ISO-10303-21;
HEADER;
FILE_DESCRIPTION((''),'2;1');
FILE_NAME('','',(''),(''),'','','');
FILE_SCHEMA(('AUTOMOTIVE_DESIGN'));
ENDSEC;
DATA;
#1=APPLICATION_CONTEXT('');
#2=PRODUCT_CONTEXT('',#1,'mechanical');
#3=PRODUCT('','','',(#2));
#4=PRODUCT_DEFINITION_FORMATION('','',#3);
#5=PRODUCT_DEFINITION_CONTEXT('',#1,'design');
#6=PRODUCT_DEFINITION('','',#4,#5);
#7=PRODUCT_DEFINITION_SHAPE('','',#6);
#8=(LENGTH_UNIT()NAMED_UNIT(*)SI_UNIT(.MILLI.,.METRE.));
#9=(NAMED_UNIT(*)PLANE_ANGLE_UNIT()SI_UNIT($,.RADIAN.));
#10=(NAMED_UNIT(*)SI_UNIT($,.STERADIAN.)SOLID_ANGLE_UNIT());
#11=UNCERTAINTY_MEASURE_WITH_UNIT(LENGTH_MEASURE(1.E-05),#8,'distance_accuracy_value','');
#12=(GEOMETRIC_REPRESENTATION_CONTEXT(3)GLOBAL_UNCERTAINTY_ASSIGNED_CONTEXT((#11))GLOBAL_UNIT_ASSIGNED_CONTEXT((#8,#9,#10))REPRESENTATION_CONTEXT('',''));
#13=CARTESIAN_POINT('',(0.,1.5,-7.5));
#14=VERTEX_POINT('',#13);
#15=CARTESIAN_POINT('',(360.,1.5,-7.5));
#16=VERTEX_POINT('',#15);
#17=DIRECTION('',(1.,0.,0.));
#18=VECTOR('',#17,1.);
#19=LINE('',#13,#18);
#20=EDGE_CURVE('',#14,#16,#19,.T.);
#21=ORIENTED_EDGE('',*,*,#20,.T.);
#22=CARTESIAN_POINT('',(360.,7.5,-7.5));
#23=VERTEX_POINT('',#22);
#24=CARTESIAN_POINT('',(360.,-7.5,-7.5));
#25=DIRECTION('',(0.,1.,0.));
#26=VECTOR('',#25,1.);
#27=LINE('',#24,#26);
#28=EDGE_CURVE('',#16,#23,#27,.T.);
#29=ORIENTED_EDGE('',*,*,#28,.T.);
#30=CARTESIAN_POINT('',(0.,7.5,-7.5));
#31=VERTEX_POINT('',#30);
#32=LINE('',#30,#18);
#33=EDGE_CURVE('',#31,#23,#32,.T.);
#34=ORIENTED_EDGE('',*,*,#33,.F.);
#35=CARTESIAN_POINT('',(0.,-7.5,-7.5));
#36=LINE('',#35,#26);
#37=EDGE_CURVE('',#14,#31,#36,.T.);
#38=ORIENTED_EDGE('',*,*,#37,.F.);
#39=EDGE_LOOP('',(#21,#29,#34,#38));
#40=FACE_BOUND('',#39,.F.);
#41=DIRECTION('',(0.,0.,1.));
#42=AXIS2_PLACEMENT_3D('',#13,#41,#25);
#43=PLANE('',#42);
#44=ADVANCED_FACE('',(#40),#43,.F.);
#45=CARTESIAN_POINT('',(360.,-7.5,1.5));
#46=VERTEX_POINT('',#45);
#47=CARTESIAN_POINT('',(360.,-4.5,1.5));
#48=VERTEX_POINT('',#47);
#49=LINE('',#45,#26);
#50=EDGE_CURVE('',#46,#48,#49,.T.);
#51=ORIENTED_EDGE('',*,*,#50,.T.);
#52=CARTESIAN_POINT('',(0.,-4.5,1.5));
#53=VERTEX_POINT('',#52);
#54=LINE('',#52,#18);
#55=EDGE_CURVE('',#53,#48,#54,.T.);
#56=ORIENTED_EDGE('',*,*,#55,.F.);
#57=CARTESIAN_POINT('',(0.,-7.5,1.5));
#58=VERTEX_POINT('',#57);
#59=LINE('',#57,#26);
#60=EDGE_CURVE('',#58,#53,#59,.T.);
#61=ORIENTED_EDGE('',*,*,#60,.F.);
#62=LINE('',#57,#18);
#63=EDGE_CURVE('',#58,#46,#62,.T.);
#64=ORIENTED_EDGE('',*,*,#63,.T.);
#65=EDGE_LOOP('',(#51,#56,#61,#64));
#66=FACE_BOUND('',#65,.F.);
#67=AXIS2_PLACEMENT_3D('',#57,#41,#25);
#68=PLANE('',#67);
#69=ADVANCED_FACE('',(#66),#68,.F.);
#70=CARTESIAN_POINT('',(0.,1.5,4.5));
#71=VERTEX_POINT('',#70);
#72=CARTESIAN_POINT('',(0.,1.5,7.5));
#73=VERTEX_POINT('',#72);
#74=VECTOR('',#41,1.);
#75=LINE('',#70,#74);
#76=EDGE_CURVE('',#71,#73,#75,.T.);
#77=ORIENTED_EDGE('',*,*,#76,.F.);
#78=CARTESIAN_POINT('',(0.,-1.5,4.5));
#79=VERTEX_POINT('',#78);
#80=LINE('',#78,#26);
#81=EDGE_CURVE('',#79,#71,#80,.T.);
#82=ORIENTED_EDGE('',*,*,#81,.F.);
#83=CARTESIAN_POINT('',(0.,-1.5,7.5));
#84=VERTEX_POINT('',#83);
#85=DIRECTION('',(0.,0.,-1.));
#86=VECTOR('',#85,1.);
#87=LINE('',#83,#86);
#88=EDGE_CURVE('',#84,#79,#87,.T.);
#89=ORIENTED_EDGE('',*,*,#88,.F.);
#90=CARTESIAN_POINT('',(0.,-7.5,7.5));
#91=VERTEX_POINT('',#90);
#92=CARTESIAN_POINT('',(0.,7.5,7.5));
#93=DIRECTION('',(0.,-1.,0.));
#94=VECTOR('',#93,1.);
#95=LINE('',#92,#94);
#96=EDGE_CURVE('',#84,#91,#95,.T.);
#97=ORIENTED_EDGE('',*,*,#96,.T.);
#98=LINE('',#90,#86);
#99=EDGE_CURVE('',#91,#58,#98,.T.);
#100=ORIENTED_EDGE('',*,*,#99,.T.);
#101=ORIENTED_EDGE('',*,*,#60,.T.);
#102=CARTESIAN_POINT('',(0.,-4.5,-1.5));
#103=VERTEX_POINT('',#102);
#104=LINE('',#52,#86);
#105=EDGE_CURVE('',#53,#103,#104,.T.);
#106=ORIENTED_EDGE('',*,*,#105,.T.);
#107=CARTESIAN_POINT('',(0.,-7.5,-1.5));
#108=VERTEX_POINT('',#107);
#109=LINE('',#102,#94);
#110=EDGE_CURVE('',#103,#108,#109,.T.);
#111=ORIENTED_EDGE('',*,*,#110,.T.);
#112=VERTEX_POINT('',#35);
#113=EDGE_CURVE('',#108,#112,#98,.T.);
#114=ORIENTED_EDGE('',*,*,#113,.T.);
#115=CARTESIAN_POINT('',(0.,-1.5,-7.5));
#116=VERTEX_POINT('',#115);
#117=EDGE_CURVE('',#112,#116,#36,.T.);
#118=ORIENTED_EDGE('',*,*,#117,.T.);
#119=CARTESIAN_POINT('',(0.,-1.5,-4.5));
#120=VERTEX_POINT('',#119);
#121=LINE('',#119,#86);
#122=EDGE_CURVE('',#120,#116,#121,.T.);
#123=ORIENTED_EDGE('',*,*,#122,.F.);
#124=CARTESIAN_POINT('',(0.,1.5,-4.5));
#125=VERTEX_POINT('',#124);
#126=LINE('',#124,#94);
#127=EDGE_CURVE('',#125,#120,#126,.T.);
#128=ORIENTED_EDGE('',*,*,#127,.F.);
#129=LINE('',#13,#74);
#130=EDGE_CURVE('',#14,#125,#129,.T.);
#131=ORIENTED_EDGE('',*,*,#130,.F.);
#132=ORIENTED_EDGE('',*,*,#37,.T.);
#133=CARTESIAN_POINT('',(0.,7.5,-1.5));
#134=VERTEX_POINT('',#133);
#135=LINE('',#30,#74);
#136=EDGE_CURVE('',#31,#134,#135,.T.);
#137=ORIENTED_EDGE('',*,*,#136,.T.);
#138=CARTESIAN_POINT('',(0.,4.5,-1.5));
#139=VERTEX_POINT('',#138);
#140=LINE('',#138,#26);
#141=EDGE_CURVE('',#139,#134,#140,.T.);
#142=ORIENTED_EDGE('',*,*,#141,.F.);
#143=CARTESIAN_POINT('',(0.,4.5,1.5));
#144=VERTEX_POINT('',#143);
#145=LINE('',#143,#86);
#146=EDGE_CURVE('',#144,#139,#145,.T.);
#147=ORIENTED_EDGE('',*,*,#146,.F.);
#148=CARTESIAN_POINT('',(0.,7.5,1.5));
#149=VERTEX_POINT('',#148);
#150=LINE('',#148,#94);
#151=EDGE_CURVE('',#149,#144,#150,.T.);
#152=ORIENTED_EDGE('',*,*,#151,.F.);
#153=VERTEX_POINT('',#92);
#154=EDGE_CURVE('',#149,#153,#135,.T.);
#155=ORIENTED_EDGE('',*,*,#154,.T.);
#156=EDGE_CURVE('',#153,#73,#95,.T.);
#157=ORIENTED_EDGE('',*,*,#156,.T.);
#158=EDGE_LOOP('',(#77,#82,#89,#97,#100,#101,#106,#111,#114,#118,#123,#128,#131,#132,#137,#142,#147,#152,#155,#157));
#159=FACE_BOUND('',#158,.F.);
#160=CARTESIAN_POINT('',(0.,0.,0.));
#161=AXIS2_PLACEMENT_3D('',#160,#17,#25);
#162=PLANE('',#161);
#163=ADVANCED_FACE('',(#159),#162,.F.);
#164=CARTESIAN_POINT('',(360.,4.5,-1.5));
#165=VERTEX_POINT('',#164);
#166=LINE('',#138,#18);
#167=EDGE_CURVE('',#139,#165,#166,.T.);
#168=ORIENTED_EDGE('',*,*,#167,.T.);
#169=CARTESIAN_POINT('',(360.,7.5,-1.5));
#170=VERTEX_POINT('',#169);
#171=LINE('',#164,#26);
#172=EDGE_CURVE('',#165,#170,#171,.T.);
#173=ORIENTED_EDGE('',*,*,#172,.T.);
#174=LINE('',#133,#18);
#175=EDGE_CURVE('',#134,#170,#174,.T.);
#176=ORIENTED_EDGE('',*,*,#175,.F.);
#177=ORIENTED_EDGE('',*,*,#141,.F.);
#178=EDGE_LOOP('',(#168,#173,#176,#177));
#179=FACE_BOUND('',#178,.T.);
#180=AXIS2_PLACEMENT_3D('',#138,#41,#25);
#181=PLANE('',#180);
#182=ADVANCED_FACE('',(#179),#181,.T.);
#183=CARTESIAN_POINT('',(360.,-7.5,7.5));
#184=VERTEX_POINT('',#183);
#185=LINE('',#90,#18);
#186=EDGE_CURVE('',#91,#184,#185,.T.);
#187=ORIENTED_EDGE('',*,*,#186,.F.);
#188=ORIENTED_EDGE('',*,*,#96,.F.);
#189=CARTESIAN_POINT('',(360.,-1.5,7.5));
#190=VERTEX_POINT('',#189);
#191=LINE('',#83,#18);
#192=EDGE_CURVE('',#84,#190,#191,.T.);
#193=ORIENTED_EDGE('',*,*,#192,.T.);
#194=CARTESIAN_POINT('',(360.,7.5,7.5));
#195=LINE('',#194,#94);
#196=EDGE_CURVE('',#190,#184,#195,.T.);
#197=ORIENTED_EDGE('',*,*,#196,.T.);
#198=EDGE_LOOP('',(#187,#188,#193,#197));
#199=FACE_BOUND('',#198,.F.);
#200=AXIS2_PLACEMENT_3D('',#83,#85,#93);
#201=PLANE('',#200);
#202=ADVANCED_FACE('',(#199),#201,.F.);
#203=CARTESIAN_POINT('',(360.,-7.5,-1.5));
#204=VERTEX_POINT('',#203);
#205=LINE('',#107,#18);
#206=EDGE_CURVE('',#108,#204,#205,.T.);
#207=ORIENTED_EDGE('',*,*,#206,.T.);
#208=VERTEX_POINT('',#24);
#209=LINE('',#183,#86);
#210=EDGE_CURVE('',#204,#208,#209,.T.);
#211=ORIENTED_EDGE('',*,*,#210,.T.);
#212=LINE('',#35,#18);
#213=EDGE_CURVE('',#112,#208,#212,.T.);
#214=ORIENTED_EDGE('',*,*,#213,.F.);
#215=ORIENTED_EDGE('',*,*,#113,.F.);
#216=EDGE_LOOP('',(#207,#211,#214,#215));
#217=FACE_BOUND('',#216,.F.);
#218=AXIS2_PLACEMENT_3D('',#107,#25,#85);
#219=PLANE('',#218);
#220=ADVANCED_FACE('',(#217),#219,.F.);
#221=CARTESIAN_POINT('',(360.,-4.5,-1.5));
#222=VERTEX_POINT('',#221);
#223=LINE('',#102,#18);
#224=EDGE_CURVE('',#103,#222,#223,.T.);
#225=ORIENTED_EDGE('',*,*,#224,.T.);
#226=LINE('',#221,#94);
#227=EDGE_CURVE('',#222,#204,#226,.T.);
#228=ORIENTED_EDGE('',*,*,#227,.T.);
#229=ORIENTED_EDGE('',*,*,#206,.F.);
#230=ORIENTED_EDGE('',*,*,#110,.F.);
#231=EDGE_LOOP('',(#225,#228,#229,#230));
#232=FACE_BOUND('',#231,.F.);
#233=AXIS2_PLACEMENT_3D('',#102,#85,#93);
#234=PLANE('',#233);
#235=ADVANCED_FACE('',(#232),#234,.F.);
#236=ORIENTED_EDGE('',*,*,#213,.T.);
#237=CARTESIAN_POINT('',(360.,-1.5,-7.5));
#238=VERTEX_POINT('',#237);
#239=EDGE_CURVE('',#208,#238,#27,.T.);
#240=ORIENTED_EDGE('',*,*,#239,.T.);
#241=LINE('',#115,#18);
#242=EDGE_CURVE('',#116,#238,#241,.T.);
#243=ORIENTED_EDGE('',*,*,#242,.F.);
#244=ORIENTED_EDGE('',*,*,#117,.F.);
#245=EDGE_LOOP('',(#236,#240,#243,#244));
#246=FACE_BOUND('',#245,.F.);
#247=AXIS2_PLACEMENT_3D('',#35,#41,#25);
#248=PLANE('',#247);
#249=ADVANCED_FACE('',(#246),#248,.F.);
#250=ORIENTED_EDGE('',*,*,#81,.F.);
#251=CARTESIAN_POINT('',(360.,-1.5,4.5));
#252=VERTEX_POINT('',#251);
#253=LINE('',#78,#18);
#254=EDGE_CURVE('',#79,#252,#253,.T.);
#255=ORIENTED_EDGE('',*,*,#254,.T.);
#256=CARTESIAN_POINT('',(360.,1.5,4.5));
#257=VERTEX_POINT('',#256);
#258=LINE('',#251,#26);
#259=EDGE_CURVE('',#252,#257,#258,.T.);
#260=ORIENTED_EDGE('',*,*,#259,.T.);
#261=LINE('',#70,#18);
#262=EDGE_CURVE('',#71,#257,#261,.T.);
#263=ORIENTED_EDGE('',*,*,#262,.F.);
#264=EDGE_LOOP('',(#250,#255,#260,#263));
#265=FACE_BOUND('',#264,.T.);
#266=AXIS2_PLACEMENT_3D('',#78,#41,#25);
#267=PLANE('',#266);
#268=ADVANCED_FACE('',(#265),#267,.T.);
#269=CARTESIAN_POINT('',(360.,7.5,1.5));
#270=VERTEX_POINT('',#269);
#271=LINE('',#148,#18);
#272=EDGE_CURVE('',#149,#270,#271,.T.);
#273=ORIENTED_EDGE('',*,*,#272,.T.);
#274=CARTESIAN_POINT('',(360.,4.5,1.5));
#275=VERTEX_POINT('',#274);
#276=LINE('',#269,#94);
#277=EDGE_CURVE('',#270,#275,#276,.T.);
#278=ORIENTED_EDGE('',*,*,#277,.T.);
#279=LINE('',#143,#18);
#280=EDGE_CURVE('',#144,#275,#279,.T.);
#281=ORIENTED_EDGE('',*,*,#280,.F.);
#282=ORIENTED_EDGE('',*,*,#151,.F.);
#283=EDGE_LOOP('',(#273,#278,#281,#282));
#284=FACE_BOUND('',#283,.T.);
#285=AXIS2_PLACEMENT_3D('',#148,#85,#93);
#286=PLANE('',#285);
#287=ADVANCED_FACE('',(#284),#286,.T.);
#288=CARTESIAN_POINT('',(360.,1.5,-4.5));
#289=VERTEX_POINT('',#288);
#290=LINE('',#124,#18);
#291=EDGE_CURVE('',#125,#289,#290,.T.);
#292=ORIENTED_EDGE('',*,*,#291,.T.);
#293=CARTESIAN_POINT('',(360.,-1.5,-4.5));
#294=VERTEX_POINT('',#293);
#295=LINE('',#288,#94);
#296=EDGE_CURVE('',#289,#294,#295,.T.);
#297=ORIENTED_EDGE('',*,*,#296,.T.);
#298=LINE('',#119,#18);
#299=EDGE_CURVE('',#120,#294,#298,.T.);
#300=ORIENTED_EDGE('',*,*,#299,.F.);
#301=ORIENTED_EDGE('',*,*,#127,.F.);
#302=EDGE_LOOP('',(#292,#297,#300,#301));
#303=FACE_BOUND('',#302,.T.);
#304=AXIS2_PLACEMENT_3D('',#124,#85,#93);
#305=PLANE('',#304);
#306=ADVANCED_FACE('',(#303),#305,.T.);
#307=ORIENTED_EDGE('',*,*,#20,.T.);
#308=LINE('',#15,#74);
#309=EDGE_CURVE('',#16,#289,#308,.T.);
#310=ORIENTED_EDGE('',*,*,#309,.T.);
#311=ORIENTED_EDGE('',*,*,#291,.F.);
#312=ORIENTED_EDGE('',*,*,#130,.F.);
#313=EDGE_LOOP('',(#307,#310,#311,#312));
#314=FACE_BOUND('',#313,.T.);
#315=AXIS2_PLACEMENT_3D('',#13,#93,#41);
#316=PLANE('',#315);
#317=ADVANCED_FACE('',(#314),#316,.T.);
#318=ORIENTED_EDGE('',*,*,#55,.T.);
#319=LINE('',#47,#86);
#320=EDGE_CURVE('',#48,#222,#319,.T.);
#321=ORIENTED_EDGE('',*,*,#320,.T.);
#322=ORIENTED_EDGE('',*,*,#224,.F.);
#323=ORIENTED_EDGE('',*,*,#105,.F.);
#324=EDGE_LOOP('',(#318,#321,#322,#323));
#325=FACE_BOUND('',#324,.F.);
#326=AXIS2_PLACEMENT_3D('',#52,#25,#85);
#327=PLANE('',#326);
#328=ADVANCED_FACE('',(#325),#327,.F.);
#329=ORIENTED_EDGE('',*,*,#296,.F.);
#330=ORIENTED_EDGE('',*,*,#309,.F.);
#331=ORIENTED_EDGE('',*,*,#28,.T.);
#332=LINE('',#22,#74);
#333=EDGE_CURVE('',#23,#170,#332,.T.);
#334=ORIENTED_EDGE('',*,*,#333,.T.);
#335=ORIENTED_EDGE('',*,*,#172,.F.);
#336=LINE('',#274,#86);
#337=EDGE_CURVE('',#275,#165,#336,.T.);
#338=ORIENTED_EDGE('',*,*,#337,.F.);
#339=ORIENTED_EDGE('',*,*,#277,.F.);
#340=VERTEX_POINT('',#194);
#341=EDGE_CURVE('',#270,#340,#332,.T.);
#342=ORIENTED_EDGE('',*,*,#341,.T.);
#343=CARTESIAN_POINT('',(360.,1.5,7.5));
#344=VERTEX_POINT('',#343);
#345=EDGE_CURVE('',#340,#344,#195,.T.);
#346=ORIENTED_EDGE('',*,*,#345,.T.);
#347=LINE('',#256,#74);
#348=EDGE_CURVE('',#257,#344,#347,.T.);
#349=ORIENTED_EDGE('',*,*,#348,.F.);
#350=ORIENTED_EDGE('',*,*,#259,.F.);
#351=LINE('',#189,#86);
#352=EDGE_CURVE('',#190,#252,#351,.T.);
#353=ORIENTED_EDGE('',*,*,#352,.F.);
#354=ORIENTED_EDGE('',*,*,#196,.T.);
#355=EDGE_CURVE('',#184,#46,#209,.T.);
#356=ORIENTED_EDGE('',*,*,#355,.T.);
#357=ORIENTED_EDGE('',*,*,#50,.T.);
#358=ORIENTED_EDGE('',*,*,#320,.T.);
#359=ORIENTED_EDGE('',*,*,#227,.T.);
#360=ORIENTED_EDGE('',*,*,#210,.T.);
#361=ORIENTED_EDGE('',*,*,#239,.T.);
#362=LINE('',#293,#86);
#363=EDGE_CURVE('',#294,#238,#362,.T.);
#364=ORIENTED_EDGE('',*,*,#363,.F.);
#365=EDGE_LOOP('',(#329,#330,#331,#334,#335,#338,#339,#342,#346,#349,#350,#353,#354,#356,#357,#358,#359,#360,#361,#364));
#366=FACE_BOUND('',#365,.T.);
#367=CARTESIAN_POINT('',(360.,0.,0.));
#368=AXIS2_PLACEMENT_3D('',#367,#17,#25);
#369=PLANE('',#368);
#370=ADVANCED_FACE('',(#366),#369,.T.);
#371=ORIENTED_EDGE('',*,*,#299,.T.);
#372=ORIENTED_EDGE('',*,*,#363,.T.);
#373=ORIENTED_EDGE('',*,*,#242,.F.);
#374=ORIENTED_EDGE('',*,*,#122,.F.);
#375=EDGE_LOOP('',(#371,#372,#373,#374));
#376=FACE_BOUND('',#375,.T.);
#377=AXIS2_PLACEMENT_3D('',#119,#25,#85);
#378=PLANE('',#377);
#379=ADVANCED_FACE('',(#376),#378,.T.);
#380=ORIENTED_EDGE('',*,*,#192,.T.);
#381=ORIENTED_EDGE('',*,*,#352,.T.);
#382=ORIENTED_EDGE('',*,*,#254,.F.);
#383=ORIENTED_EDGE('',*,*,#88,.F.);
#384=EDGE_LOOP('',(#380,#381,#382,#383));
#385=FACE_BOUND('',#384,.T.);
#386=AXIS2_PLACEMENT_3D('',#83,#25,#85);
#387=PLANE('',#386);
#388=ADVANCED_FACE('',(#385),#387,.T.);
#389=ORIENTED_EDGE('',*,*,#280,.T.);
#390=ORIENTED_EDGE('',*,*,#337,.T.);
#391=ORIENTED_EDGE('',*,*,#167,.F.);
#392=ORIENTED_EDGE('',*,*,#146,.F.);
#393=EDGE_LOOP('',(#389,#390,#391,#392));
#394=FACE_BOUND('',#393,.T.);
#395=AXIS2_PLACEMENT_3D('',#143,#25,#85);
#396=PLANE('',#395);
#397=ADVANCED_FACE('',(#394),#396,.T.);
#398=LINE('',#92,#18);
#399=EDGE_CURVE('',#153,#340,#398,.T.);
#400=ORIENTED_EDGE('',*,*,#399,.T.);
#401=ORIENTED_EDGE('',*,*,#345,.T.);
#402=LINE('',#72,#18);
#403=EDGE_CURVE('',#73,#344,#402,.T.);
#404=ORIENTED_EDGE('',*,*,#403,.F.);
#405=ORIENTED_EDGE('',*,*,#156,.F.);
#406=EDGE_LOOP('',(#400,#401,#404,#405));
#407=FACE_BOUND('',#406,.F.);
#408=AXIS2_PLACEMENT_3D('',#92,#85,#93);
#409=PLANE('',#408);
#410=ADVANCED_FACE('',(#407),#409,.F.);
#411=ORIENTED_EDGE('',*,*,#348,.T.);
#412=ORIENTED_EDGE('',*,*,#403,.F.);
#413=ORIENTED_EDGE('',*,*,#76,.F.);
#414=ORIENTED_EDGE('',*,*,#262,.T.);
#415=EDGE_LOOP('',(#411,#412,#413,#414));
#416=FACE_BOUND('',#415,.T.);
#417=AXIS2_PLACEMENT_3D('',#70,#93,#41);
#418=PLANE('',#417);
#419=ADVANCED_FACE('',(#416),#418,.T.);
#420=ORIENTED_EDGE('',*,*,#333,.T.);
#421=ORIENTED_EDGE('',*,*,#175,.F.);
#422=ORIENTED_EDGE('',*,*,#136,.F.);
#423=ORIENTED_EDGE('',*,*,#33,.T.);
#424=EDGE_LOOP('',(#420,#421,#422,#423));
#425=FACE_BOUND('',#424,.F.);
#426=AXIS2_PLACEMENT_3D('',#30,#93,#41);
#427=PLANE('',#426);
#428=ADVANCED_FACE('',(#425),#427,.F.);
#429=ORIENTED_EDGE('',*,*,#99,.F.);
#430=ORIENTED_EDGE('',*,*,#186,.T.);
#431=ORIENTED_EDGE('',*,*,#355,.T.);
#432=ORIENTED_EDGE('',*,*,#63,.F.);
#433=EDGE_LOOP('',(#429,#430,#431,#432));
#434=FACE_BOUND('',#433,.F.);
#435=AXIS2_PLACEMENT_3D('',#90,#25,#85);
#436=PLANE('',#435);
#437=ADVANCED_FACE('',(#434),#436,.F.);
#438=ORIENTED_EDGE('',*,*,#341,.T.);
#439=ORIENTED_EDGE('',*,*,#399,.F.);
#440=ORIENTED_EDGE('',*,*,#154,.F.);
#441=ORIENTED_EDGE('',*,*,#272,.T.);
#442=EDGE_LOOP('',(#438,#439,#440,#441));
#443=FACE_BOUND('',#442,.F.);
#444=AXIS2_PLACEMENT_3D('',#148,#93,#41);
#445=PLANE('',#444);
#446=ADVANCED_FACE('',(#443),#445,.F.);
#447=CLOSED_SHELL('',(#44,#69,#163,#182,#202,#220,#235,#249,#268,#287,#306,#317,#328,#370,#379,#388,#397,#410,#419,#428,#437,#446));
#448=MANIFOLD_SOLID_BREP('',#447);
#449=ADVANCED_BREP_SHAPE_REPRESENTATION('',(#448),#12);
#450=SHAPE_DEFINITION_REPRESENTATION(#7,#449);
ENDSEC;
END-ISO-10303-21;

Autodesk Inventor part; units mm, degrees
ref_plane "YZ Plane" through (0, 0, 0) normal (1, 0, 0) x (0, 1, 0)
ref_plane "XZ Plane" through (0, 0, 0) normal (0, 1, 0) x (-1, 0, 0)
ref_plane "XY Plane" through (0, 0, 0) normal (0, 0, 1) x (1, 0, 0)
sketch "Sketch1" plane through (0, 0, 0) normal (1, 0, 0) x (0, 1, 0)
  line L0 (-7.5, -7.5) -> (7.5, -7.5)
  line L1 (7.5, -7.5) -> (7.5, 7.5)
  line L2 (7.5, 7.5) -> (-7.5, 7.5)
  line L3 (-7.5, 7.5) -> (-7.5, -7.5)
  line L4 (-7.5, -7.5) -> (7.5, 7.5) construction
  line L5 (7.5, -7.5) -> (-7.5, 7.5) construction
  line L6 (7.5, 1.5) -> (4.5, 1.5)
  line L7 (4.5, 1.5) -> (4.5, -1.5)
  line L8 (4.5, -1.5) -> (7.5, -1.5)
  line L9 (7.5, -1.5) -> (7.5, 1.5)
  line L10 (1.5, 7.5) -> (-1.5, 7.5)
  line L11 (-1.5, 7.5) -> (-1.5, 4.5)
  line L12 (-1.5, 4.5) -> (1.5, 4.5)
  line L13 (1.5, 4.5) -> (1.5, 7.5)
  line L14 (-7.5, 1.5) -> (-4.5, 1.5)
  line L15 (-4.5, 1.5) -> (-4.5, -1.5)
  line L16 (-4.5, -1.5) -> (-7.5, -1.5)
  line L17 (-7.5, -1.5) -> (-7.5, 1.5)
  line L18 (-1.5, -7.5) -> (1.5, -7.5)
  line L19 (1.5, -7.5) -> (1.5, -4.5)
  line L20 (1.5, -4.5) -> (-1.5, -4.5)
  line L21 (-1.5, -4.5) -> (-1.5, -7.5)
  point P0 (0, 0)
  dimension "d0" = 15
  dimension "d1" = 3
  dimension "d2" = 3
  dimension "d3" = 1.5
  dimension "d4" = 1.5
extrude "Extrusion1" add sketch "Sketch1" along normal blind 360 contours L3 L16 L15 L14 L2 L11 L12 L13 L1 L6 L7 L8 L0 L19 L20 L21
equation "\"d3\" = 0.5 * d2"
equation "\"d4\" = d3"
properties part number "Beam_360mm" material "Aluminum 6061"
